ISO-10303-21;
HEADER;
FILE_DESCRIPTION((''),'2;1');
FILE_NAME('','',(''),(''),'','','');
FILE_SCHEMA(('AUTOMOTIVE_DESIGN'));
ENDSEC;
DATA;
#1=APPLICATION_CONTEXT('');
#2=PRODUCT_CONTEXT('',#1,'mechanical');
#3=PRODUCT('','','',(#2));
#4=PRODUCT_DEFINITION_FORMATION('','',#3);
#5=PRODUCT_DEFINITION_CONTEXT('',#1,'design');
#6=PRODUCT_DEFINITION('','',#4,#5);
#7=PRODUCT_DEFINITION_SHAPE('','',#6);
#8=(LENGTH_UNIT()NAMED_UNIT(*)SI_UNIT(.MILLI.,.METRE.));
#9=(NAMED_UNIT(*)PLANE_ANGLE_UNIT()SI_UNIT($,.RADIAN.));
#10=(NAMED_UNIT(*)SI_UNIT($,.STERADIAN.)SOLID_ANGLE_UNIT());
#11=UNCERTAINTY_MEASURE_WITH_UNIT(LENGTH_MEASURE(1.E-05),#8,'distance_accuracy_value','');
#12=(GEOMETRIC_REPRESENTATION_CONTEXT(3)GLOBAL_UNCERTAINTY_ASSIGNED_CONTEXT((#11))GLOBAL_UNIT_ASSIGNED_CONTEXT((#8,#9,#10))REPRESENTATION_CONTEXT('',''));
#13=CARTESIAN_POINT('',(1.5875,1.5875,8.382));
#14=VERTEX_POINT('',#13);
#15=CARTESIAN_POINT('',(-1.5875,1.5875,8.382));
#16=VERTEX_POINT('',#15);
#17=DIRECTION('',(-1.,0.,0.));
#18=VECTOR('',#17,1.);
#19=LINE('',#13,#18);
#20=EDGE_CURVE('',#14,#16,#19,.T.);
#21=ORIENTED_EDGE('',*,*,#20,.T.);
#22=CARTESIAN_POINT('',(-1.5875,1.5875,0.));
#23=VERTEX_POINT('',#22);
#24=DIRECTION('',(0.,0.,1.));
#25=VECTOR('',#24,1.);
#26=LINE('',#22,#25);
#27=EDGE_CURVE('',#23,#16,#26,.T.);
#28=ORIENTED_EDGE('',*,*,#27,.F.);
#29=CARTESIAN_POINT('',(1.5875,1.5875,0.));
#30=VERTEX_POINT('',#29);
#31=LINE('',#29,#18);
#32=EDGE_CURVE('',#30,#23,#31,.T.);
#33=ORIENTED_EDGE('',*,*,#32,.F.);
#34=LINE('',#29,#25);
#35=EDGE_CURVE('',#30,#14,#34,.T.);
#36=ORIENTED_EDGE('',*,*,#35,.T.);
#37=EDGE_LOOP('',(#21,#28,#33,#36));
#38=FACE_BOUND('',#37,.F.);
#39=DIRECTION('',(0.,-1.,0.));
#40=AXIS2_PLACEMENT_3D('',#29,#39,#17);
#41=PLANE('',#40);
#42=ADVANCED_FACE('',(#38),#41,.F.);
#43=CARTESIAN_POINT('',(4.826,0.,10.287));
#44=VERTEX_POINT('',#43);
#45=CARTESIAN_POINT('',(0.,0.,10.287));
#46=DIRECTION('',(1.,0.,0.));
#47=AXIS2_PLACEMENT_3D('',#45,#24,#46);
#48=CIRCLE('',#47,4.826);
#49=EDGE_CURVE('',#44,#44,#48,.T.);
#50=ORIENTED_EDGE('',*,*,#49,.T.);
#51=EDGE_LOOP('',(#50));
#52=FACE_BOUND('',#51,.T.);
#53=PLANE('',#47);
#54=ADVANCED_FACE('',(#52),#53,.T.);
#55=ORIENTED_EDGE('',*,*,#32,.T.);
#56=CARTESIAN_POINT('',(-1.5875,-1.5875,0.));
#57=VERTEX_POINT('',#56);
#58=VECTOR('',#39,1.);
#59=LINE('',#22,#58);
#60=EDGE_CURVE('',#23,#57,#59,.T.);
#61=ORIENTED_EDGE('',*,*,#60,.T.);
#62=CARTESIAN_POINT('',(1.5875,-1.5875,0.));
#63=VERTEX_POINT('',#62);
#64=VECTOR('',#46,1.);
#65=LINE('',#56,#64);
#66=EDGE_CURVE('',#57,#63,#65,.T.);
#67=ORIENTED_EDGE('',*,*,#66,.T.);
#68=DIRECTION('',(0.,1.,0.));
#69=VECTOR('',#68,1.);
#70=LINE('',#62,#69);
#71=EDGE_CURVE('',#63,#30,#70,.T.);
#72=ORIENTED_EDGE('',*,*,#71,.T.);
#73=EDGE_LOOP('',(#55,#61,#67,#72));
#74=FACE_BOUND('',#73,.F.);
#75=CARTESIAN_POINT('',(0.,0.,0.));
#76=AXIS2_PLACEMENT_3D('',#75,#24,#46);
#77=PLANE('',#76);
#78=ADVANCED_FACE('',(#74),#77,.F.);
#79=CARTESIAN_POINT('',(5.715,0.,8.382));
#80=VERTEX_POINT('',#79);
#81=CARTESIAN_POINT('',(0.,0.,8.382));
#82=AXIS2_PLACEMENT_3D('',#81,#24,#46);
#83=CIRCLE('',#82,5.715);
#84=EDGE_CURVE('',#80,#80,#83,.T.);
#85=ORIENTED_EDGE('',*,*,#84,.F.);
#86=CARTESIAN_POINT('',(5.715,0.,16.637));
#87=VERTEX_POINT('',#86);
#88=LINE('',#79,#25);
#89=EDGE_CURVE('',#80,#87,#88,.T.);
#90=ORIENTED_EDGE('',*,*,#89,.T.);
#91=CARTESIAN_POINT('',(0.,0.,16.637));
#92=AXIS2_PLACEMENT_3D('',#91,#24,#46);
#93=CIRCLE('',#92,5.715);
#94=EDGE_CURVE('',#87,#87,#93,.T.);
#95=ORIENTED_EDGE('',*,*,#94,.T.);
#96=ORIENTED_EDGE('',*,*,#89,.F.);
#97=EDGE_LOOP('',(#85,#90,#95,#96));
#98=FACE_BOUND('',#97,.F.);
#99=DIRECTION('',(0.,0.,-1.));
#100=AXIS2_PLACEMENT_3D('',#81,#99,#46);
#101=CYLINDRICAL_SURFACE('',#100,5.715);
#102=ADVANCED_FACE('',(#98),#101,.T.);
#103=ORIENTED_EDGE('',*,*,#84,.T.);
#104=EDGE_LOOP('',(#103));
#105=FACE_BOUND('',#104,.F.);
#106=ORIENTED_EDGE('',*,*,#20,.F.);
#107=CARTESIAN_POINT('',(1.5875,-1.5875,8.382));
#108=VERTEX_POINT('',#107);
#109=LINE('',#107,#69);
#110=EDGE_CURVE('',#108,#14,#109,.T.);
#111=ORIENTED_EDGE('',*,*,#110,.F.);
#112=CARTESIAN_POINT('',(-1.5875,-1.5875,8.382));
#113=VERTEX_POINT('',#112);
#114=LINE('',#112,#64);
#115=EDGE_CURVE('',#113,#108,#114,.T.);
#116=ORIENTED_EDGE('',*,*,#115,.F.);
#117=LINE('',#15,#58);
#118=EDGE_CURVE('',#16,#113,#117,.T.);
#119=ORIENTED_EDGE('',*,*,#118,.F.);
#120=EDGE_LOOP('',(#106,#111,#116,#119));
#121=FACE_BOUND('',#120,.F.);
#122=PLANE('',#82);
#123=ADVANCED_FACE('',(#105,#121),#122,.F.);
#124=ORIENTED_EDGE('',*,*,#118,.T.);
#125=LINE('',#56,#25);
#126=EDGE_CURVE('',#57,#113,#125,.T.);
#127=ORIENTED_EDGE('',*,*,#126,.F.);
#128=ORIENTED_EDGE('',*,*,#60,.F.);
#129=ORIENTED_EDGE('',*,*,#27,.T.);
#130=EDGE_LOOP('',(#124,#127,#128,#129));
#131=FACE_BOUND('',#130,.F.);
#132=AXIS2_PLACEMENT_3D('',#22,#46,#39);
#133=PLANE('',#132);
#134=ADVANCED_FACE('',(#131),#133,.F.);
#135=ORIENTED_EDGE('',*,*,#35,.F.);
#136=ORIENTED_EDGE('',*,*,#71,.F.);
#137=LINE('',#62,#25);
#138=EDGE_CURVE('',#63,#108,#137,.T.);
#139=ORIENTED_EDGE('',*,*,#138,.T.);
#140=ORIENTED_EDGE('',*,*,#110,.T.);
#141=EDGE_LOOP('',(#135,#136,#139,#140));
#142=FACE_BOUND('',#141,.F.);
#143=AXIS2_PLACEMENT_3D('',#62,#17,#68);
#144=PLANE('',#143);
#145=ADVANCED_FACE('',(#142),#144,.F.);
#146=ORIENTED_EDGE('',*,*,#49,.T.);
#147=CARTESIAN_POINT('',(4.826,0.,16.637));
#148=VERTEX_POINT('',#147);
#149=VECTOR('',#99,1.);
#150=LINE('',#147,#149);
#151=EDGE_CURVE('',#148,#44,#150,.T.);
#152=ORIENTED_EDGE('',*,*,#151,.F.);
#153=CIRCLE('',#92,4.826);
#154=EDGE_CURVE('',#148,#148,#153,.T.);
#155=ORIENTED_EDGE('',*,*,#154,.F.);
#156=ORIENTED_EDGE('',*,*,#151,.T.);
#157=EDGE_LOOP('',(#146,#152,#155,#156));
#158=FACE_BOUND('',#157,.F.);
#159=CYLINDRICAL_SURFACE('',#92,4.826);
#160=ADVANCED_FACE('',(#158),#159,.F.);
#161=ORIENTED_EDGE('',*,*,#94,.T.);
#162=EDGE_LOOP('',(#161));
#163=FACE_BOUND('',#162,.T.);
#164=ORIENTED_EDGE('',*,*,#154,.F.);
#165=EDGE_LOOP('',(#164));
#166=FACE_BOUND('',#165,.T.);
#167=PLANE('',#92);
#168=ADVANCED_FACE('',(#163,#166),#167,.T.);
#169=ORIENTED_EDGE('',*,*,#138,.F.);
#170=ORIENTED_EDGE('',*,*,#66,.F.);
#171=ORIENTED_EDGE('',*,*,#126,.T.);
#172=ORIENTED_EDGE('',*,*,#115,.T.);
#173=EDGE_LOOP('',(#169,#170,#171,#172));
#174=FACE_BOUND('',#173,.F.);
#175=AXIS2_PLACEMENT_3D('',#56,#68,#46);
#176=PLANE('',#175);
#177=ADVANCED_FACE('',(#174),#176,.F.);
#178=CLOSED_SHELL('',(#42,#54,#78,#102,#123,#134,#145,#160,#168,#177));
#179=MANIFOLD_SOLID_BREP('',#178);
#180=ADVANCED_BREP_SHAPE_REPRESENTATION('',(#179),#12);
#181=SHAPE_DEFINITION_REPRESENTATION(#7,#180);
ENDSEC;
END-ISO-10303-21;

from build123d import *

# Parameters (mm, degrees)
F1_DEPTH = 8.382
F2_R     = 5.715
F3_DEPTH = 8.255
F4_R     = 4.826
F5_DEPTH = 6.35


with BuildPart() as f1:
    # F0 (on Top) → F1 (new body)
    with BuildSketch(Plane.XY):
        Polygon((1.5875, -1.5875), (1.5875, 0), (1.5875, 1.5875), (-1.5875, 1.5875), (-1.5875, -1.5875), align=None)
    extrude(amount=F1_DEPTH)

    # F2 (on face) → F3 (join)
    with BuildSketch(Plane.XY.offset(8.382)):
        Circle(F2_R)
    extrude(amount=F3_DEPTH)

    # F4 (on face) → F5 (cut)
    with BuildSketch(Plane.XY.offset(16.637)):
        Circle(F4_R)
    extrude(amount=-F5_DEPTH, mode=Mode.SUBTRACT)


solid = f1.part
